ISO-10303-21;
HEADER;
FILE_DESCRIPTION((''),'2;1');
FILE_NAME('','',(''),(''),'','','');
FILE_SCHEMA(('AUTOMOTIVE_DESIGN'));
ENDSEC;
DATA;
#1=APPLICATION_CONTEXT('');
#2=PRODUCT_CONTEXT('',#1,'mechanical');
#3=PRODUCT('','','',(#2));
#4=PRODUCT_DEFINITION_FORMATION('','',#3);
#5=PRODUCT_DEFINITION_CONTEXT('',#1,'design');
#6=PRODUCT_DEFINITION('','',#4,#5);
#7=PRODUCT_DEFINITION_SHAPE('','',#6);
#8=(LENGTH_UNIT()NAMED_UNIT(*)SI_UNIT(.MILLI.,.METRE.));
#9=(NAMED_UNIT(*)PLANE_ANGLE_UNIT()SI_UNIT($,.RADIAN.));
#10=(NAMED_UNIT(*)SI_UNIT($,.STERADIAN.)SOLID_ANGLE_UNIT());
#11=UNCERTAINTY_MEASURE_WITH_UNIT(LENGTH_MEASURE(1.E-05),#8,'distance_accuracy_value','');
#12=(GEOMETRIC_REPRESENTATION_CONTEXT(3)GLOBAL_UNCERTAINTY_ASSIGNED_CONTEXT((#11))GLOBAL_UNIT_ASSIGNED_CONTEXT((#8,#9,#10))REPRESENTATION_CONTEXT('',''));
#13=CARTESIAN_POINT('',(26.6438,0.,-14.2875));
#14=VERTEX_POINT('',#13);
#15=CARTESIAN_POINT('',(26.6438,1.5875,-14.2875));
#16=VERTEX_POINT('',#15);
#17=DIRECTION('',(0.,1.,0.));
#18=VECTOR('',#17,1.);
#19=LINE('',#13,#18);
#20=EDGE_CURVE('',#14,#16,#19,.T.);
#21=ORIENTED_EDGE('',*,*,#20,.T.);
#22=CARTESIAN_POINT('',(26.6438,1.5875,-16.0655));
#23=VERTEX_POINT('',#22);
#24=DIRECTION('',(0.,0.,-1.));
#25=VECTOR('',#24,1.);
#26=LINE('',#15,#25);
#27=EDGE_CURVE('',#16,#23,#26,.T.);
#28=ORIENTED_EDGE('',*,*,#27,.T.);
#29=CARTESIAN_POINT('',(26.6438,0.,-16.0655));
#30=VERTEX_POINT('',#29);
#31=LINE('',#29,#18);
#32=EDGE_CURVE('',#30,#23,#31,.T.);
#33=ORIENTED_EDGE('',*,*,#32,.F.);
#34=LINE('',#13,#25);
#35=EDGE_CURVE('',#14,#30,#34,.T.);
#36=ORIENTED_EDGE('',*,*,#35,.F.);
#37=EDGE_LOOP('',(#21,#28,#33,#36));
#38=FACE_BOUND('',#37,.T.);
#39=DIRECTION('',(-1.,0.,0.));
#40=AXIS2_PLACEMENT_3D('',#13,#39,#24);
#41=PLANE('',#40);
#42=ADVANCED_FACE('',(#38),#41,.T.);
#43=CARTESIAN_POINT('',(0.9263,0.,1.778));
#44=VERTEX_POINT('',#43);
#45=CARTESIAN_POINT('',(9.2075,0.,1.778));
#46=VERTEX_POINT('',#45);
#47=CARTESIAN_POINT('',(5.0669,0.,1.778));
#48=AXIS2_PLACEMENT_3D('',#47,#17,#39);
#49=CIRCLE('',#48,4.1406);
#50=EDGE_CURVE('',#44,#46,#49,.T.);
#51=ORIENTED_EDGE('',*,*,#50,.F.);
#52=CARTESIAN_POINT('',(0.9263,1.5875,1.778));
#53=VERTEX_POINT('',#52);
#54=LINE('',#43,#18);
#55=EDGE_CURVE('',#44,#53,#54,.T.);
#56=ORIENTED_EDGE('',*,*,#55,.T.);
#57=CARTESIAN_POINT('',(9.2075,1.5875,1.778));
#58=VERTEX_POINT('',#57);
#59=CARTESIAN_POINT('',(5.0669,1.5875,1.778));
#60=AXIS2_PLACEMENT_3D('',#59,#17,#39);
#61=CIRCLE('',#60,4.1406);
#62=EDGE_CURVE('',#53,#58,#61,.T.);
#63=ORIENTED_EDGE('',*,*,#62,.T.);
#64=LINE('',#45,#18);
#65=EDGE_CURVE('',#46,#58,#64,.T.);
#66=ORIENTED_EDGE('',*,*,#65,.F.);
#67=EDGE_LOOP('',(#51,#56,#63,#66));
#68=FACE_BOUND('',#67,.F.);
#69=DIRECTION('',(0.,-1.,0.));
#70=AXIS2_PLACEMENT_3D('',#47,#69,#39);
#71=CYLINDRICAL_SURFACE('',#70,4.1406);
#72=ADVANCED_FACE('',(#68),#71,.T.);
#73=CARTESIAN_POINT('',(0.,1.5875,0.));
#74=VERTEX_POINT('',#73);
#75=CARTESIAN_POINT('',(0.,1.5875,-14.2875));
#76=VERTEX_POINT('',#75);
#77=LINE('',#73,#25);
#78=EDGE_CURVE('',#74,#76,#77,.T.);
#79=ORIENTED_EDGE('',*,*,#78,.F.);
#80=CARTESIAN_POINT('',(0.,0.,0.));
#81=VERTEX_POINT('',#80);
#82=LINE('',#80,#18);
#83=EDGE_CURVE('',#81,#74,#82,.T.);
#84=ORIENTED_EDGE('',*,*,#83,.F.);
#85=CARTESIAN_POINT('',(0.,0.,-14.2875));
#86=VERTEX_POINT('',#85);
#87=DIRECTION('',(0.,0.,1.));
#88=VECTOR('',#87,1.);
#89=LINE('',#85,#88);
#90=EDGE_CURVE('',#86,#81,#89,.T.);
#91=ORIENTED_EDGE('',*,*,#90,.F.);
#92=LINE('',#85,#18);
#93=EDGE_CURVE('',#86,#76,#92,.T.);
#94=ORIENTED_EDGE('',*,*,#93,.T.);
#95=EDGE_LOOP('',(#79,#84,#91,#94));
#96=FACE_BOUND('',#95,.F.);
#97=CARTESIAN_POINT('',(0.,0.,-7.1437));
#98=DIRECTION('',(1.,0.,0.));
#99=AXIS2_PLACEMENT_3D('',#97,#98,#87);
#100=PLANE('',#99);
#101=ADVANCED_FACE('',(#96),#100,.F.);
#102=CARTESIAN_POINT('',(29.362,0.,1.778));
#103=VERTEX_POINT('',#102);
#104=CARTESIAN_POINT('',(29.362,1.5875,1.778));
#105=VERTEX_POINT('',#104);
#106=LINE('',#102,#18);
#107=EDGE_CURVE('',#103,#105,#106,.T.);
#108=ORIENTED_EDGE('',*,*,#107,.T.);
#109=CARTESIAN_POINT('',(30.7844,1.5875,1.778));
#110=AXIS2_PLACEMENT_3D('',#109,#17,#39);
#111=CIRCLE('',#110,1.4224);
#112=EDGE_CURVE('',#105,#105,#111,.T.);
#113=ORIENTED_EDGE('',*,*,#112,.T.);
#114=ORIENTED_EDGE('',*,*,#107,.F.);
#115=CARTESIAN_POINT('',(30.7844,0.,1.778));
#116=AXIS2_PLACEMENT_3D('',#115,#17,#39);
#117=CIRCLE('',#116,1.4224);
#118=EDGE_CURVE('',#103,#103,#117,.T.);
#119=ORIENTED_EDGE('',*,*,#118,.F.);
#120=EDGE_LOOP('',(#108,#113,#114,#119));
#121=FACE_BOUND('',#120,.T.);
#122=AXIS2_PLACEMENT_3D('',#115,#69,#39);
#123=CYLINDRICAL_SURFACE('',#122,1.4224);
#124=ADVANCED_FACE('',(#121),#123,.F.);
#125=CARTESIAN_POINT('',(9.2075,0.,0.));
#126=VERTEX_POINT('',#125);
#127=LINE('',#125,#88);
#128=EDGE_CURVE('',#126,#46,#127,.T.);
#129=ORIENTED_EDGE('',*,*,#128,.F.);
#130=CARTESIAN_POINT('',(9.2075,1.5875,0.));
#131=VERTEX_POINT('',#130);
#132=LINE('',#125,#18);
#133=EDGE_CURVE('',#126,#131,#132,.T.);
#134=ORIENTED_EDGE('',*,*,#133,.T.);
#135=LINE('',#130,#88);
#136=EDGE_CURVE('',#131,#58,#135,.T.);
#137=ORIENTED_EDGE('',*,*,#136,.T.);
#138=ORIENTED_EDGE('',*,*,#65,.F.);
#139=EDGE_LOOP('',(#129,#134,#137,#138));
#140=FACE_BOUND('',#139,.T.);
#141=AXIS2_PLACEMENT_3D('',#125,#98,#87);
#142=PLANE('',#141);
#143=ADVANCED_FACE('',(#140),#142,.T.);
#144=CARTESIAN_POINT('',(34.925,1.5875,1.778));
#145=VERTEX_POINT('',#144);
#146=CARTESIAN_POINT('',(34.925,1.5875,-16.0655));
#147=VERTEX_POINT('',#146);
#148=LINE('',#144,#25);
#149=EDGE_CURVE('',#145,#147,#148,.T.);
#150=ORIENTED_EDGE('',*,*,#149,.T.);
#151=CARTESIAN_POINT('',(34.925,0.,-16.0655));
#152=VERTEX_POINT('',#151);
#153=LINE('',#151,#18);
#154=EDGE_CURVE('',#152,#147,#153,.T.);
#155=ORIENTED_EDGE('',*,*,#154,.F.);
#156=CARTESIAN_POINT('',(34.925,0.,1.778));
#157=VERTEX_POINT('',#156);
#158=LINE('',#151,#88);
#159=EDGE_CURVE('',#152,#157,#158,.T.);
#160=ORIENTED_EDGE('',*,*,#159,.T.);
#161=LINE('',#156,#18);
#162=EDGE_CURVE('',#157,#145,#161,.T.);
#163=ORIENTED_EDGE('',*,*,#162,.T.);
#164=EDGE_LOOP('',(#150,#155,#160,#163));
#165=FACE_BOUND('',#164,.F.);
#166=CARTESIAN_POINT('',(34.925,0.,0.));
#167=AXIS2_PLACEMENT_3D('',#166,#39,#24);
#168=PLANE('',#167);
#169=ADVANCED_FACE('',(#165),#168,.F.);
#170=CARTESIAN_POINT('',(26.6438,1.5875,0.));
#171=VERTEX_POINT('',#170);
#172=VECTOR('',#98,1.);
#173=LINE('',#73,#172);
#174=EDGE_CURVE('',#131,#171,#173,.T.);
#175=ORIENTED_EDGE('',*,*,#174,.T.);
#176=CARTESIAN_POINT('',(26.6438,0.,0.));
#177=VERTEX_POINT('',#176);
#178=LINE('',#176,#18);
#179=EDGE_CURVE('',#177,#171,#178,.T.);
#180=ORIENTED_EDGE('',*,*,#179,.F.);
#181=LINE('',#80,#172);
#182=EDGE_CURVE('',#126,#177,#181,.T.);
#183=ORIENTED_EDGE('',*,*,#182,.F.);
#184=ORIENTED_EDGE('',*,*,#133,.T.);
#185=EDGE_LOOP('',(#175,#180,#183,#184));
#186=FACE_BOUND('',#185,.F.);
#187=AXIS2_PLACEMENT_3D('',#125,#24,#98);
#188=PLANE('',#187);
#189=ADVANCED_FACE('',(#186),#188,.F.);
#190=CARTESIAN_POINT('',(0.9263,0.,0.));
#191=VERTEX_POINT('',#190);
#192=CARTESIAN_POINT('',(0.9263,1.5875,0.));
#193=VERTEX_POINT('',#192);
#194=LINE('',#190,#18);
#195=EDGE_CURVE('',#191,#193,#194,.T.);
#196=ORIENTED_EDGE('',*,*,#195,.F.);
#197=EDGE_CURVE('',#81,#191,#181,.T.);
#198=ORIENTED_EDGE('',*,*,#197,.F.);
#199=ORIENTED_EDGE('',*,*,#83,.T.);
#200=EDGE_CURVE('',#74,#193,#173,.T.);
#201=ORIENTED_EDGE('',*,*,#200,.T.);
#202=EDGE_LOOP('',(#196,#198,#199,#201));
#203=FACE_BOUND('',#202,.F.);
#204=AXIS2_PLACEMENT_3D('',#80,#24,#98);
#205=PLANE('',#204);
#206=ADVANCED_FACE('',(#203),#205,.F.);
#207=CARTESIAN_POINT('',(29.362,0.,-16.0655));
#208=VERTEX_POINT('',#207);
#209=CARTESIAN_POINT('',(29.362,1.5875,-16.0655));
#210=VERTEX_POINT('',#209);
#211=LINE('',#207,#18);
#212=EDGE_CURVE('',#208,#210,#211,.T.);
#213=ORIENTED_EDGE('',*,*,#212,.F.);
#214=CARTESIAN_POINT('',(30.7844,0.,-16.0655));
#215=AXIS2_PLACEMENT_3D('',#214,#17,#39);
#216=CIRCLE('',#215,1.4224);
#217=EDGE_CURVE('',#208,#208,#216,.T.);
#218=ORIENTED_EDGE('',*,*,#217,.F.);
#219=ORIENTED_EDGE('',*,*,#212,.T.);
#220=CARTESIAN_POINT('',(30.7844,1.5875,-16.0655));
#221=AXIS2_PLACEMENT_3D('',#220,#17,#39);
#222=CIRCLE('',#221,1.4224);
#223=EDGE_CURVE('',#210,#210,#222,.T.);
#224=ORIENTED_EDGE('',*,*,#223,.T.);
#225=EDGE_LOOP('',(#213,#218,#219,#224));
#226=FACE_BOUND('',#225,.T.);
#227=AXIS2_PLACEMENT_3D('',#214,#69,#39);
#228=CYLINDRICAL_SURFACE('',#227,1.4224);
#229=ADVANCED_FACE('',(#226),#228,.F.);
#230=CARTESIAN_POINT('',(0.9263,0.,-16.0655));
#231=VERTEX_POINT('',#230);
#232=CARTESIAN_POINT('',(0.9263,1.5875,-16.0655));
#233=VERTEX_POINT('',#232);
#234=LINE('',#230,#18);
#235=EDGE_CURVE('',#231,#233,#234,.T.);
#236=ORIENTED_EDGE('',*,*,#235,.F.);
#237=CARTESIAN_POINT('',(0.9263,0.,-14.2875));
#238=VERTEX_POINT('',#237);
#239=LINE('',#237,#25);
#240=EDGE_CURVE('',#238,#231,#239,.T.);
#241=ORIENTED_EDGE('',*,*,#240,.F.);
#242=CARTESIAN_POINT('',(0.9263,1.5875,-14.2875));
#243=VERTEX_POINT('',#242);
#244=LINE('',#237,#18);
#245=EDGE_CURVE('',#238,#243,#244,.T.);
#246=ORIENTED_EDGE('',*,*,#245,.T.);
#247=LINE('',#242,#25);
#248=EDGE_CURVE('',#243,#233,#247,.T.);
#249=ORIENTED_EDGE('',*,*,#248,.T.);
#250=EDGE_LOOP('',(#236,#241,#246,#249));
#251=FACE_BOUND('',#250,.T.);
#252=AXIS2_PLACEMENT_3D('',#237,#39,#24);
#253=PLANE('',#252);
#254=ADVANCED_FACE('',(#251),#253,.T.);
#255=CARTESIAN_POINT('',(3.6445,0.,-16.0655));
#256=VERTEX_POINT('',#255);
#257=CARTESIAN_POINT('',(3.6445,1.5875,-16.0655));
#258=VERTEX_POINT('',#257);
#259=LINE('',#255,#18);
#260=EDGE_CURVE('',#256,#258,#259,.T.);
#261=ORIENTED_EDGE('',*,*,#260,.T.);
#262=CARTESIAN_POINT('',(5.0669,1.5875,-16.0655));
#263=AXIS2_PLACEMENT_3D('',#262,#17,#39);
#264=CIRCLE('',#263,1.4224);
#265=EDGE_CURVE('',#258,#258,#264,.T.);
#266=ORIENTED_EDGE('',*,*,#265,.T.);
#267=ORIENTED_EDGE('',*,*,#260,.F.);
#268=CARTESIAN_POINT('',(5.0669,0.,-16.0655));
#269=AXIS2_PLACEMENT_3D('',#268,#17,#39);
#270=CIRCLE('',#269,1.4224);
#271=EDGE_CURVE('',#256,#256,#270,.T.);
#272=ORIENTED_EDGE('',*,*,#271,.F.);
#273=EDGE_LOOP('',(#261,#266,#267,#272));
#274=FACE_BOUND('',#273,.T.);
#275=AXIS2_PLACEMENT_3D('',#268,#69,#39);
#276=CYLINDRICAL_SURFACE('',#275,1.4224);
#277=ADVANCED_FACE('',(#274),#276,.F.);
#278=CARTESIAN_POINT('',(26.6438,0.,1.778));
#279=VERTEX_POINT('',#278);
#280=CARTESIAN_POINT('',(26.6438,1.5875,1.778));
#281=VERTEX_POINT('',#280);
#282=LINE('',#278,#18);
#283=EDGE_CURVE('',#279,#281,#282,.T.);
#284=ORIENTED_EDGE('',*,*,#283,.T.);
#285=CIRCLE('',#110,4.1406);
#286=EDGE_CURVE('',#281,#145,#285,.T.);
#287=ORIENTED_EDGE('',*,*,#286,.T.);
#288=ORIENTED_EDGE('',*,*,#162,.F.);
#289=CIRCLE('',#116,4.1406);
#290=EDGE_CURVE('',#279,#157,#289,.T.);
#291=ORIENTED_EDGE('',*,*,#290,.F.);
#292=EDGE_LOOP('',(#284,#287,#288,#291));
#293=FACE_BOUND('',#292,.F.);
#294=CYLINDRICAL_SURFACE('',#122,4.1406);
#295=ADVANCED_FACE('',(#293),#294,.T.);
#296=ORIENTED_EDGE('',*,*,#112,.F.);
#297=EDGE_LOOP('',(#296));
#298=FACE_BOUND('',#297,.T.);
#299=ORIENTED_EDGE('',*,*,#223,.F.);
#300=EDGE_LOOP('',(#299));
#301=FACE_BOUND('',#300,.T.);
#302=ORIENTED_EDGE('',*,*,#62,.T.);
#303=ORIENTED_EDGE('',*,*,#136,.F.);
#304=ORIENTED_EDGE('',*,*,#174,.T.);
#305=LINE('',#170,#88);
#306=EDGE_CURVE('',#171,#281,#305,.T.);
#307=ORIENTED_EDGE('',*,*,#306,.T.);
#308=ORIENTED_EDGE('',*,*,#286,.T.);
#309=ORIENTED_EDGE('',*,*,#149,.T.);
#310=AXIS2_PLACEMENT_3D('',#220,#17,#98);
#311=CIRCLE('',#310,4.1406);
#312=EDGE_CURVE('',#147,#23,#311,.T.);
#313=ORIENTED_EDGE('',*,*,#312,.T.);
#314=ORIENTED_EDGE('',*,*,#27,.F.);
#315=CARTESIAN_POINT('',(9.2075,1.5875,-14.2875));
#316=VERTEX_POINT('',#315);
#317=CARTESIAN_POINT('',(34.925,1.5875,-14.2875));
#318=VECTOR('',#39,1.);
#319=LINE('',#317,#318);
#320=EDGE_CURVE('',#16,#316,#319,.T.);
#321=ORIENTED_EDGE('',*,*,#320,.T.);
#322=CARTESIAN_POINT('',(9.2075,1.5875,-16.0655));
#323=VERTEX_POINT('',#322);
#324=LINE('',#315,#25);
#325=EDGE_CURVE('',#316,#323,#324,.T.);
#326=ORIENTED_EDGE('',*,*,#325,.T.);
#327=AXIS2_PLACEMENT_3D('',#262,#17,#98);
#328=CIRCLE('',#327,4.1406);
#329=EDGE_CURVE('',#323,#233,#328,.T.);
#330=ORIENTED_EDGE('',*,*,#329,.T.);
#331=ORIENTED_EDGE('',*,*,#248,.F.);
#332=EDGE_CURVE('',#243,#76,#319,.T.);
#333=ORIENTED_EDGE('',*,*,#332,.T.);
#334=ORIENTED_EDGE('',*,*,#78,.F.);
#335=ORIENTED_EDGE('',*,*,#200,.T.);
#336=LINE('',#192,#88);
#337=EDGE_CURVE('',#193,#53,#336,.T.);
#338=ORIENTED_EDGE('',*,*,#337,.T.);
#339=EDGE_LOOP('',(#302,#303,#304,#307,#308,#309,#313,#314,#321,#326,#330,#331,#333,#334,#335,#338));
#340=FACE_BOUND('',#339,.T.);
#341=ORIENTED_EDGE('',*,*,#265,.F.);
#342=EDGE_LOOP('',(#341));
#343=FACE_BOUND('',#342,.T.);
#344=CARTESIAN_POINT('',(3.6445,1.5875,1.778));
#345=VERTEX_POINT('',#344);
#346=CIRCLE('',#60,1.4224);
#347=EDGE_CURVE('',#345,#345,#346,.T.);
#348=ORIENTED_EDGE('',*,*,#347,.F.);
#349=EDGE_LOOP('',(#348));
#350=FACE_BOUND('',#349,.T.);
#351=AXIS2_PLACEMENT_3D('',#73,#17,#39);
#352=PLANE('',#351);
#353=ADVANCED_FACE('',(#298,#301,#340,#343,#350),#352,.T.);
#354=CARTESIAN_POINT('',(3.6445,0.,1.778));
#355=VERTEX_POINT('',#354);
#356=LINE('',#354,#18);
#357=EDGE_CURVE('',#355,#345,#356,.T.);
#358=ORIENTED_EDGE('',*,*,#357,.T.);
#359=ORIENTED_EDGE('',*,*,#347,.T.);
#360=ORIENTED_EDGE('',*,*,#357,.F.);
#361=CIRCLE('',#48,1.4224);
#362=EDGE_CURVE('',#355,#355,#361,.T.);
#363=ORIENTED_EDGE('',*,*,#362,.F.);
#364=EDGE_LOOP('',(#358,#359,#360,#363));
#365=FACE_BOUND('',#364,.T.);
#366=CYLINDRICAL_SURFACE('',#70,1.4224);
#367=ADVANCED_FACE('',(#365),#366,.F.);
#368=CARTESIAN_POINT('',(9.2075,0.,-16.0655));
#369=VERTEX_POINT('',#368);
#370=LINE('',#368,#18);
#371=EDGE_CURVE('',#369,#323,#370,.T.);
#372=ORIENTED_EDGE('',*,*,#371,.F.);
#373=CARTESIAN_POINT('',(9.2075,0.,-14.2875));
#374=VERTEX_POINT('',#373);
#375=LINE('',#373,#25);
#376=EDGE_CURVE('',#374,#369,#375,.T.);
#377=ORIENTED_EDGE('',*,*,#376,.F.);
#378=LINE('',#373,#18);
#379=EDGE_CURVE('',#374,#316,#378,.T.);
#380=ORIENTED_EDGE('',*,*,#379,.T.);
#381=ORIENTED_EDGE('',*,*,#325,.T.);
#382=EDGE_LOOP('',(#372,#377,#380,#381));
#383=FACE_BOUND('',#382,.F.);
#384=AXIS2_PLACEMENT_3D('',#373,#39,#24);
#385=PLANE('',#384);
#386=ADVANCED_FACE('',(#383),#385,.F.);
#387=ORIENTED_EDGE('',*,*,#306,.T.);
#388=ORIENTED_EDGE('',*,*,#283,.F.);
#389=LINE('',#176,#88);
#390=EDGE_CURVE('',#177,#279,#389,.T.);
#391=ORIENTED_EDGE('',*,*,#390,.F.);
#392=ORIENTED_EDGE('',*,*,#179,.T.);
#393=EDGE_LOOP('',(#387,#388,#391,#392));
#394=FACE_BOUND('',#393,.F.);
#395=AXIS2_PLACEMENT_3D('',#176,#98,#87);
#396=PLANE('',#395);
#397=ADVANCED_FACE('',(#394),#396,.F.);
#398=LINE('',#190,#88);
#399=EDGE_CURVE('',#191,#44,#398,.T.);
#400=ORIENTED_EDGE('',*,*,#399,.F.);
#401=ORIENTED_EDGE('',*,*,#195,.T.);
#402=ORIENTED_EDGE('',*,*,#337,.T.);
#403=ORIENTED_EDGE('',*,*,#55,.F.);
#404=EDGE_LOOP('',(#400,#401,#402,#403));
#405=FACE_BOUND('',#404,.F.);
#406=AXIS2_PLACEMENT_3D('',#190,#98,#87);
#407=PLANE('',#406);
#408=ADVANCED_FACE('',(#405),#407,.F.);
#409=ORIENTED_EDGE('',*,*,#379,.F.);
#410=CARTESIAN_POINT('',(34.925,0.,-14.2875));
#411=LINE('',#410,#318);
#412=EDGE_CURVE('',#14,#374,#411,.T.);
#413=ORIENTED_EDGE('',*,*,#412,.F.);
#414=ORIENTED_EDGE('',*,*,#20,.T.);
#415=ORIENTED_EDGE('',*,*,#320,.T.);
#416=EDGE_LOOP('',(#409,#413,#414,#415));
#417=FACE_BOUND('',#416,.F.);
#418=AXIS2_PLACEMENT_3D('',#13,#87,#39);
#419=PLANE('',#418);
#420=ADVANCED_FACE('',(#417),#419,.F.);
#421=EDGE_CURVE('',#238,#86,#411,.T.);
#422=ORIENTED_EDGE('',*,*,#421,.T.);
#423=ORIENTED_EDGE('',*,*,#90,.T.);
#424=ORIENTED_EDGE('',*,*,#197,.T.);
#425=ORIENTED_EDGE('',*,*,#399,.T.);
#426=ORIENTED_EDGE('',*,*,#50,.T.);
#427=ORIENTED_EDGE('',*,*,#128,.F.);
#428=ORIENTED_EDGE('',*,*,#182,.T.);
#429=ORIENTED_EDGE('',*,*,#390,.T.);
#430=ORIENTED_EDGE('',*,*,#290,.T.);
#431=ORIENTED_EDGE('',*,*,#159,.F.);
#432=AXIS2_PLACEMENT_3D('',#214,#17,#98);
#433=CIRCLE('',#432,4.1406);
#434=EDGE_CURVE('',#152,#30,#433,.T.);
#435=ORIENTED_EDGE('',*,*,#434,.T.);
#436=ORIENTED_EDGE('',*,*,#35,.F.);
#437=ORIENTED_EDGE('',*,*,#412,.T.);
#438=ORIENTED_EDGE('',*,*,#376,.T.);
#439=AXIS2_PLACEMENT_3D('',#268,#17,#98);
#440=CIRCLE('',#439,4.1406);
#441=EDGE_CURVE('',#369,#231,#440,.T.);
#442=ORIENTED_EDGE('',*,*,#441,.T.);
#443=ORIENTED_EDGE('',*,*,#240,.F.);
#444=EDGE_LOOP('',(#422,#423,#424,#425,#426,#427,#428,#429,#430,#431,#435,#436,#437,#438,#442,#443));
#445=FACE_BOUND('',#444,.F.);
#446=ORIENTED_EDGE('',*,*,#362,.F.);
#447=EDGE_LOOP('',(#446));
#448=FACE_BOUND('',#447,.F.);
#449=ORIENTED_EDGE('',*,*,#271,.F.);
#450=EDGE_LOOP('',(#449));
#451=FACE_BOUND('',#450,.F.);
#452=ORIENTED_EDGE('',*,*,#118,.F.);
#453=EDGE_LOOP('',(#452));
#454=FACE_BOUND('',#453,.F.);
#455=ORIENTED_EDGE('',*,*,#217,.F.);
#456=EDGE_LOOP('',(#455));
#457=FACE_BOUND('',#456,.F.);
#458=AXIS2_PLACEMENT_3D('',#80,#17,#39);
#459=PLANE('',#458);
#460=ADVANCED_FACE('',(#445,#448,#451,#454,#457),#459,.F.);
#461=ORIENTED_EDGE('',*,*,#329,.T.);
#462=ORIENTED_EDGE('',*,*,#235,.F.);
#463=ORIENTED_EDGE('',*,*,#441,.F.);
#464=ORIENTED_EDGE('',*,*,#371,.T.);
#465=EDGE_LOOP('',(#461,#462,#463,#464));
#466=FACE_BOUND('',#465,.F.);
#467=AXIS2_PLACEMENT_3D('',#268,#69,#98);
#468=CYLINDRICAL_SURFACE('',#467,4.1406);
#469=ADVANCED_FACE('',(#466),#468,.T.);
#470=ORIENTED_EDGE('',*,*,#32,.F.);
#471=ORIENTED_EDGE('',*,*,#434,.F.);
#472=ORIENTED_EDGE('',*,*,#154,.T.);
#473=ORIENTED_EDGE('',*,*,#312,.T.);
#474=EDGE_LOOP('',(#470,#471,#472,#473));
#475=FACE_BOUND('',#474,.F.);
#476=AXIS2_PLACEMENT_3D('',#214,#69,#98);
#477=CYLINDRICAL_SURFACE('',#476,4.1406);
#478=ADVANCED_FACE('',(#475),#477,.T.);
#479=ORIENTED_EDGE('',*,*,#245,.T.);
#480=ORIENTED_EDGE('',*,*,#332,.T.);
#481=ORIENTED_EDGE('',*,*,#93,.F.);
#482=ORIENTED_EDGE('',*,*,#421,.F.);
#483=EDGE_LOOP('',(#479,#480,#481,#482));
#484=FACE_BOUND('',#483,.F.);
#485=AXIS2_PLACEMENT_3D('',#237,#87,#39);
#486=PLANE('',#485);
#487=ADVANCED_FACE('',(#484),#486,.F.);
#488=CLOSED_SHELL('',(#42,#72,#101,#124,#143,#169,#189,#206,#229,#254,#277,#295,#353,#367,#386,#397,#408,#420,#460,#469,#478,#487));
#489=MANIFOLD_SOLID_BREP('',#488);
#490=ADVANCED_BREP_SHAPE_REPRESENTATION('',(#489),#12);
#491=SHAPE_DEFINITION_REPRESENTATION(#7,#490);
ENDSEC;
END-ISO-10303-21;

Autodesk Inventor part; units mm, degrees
ref_plane "YZ Plane" through (0, 0, 0) normal (1, 0, 0) x (0, 1, 0)
ref_plane "XZ Plane" through (0, 0, 0) normal (0, 1, 0) x (-1, 0, 0)
ref_plane "XY Plane" through (0, 0, 0) normal (0, 0, 1) x (1, 0, 0)
sketch "Sketch1" plane through (0, 0, 0) normal (0, 1, 0) x (-1, 0, 0)
  line L0 (0, 0) -> (-34.925, 0)
  line L1 (-34.925, 0) -> (-34.925, -14.2875)
  line L2 (-34.925, -14.2875) -> (0, -14.2875)
  line L3 (0, -14.2875) -> (0, 0)
  line L4 (-34.925, 0) -> (-34.925, 1.778)
  line L5 (-26.6438, 0) -> (-26.6438, 1.778)
  arc A0 (-26.6438, 1.778) -> (-34.925, 1.778) centre (-30.7844, 1.778) ccw
  circle A1 centre (-30.7844, 1.778) radius 1.4224
  line L6 (-9.2075, 0) -> (-9.2075, 1.778)
  line L7 (-0.9263, 0) -> (-0.9263, 1.778)
  arc A2 (-0.9263, 1.778) -> (-9.2075, 1.778) centre (-5.0669, 1.778) ccw
  circle A3 centre (-5.0669, 1.778) radius 1.4224
  line L8 (-34.925, -7.1437) -> (0, -7.1437)
  line L9 (-34.925, -14.2875) -> (-34.925, -16.0655)
  line L10 (-26.6438, -14.2875) -> (-26.6438, -16.0655)
  arc A4 (-34.925, -16.0655) -> (-26.6438, -16.0655) centre (-30.7844, -16.0655) ccw
  circle A5 centre (-30.7844, -16.0655) radius 1.4224
  arc A6 (-9.2075, -16.0655) -> (-0.9263, -16.0655) centre (-5.0669, -16.0655) ccw
  line L11 (-0.9263, -14.2875) -> (-0.9263, -16.0655)
  line L12 (-9.2075, -14.2875) -> (-9.2075, -16.0655)
  circle A7 centre (-5.0669, -16.0655) radius 1.4224
  line L13 (-9.2075, 0) -> (-0.9263, 0)
  line L14 (-0.9263, -14.2875) -> (-9.2075, -14.2875)
  line L15 (-26.6438, -14.2875) -> (-34.925, -14.2875)
  dimension "d2" = 34.925
  dimension "d3" = 14.2875
  dimension "d5" = 1.778
  dimension "d6" = 8.2812
  dimension "d8" = 2.8448
  dimension "d11" = 25.7175
extrude "Extrusion1" add sketch "Sketch1" along normal blind 1.5875
equation "\"d2\" = outerLength + wallThickness"
equation "\"d3\" = outerWidth"
equation "\"d5\" = screwHoleOffsetFromSide"
equation "\"d6\" = screwOuterDiameter"
equation "\"d0\" = wallThickness"
equation "\"outerLength\" = 33.3375"
equation "\"wallThickness\" = 1.5875"
equation "\"outerWidth\" = 14.2875"
equation "\"screwHoleOffsetFromSide\" = 1.778"
equation "\"screwOuterDiameter\" = 8.281182"
properties part number "BatteryLatch-Lower"
